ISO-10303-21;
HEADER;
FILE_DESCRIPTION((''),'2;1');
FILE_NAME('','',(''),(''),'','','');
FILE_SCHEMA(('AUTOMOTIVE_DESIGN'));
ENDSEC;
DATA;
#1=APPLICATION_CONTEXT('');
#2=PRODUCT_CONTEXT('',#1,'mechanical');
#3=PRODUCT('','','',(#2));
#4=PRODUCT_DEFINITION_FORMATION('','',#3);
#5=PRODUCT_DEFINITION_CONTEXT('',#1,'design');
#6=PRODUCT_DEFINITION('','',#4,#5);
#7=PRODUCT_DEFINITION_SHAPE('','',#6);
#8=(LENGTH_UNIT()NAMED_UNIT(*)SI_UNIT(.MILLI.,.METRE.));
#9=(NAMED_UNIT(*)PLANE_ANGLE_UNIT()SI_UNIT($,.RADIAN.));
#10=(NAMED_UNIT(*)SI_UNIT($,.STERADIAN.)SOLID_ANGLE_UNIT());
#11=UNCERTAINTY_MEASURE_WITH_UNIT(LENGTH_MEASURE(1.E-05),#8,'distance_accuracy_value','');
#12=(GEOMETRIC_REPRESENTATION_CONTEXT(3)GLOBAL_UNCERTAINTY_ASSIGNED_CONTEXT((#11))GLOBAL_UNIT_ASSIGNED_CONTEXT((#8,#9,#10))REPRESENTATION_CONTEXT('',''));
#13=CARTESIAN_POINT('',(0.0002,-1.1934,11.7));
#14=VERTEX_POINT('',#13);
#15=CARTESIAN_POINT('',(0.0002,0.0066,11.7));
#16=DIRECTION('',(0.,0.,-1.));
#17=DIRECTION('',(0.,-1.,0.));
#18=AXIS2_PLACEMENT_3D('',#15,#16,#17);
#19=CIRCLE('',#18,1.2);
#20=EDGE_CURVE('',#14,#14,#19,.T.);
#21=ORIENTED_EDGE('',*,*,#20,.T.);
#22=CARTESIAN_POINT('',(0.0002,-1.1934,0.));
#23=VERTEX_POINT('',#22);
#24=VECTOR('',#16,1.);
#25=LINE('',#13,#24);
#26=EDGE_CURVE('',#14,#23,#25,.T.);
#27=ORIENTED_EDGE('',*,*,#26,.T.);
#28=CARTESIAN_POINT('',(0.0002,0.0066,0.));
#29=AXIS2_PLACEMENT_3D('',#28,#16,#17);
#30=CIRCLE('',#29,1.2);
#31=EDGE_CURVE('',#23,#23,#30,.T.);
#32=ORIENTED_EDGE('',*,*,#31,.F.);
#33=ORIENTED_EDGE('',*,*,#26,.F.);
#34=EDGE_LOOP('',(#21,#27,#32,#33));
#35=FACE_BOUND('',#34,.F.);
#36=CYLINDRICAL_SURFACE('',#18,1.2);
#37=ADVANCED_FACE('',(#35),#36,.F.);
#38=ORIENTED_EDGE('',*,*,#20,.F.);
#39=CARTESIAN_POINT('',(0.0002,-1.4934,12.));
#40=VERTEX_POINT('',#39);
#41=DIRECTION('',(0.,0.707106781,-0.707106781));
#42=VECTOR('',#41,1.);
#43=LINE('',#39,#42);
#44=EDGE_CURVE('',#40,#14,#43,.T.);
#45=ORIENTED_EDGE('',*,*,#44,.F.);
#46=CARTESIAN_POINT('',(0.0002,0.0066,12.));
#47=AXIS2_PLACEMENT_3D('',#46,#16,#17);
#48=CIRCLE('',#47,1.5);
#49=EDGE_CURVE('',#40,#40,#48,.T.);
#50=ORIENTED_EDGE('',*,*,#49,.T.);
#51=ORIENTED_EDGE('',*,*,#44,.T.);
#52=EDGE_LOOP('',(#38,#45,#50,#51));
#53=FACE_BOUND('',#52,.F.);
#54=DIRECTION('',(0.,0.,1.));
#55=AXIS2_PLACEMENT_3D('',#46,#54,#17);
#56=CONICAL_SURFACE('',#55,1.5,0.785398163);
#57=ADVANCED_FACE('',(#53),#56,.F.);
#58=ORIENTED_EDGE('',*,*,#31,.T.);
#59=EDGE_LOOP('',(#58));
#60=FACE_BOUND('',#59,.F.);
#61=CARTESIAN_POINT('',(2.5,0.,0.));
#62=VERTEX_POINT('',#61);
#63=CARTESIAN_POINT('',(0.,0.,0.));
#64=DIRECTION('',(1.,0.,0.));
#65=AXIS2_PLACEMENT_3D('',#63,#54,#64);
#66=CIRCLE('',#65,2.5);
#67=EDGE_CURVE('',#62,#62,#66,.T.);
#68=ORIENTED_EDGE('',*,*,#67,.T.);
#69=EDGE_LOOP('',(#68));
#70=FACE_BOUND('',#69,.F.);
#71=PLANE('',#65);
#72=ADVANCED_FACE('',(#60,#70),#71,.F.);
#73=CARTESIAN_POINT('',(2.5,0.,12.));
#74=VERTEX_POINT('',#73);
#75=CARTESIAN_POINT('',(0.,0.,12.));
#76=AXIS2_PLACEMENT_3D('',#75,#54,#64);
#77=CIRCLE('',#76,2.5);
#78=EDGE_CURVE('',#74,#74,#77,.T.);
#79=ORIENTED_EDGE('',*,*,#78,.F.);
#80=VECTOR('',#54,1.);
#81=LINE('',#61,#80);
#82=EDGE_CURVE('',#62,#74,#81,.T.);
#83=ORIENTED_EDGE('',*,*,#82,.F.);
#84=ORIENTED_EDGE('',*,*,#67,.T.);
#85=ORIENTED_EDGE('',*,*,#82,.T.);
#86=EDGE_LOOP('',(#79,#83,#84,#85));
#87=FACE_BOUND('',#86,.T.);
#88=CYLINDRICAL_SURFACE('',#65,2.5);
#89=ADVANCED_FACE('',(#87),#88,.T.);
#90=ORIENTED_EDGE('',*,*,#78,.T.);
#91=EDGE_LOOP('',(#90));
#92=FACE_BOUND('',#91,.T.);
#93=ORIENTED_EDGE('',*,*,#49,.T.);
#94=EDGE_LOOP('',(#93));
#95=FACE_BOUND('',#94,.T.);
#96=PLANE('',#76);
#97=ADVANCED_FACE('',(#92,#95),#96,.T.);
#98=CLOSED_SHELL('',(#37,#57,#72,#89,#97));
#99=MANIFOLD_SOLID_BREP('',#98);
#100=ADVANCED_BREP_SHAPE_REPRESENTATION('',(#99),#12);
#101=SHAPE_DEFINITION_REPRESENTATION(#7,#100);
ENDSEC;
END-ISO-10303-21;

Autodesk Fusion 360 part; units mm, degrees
cylinder "CylinderPrimitive1" add diameter 5 height 12 placed x (1, 0, 0) y (0, 1, 0) z (0, 0, 1) at (0, 0, 0)
hole "Hole1" at (0.0002, 0.0066, 12) direction (0, 0, -1) diameter 2.4 depth 13 tip angle 180 countersink diameter 3 countersink angle 90
